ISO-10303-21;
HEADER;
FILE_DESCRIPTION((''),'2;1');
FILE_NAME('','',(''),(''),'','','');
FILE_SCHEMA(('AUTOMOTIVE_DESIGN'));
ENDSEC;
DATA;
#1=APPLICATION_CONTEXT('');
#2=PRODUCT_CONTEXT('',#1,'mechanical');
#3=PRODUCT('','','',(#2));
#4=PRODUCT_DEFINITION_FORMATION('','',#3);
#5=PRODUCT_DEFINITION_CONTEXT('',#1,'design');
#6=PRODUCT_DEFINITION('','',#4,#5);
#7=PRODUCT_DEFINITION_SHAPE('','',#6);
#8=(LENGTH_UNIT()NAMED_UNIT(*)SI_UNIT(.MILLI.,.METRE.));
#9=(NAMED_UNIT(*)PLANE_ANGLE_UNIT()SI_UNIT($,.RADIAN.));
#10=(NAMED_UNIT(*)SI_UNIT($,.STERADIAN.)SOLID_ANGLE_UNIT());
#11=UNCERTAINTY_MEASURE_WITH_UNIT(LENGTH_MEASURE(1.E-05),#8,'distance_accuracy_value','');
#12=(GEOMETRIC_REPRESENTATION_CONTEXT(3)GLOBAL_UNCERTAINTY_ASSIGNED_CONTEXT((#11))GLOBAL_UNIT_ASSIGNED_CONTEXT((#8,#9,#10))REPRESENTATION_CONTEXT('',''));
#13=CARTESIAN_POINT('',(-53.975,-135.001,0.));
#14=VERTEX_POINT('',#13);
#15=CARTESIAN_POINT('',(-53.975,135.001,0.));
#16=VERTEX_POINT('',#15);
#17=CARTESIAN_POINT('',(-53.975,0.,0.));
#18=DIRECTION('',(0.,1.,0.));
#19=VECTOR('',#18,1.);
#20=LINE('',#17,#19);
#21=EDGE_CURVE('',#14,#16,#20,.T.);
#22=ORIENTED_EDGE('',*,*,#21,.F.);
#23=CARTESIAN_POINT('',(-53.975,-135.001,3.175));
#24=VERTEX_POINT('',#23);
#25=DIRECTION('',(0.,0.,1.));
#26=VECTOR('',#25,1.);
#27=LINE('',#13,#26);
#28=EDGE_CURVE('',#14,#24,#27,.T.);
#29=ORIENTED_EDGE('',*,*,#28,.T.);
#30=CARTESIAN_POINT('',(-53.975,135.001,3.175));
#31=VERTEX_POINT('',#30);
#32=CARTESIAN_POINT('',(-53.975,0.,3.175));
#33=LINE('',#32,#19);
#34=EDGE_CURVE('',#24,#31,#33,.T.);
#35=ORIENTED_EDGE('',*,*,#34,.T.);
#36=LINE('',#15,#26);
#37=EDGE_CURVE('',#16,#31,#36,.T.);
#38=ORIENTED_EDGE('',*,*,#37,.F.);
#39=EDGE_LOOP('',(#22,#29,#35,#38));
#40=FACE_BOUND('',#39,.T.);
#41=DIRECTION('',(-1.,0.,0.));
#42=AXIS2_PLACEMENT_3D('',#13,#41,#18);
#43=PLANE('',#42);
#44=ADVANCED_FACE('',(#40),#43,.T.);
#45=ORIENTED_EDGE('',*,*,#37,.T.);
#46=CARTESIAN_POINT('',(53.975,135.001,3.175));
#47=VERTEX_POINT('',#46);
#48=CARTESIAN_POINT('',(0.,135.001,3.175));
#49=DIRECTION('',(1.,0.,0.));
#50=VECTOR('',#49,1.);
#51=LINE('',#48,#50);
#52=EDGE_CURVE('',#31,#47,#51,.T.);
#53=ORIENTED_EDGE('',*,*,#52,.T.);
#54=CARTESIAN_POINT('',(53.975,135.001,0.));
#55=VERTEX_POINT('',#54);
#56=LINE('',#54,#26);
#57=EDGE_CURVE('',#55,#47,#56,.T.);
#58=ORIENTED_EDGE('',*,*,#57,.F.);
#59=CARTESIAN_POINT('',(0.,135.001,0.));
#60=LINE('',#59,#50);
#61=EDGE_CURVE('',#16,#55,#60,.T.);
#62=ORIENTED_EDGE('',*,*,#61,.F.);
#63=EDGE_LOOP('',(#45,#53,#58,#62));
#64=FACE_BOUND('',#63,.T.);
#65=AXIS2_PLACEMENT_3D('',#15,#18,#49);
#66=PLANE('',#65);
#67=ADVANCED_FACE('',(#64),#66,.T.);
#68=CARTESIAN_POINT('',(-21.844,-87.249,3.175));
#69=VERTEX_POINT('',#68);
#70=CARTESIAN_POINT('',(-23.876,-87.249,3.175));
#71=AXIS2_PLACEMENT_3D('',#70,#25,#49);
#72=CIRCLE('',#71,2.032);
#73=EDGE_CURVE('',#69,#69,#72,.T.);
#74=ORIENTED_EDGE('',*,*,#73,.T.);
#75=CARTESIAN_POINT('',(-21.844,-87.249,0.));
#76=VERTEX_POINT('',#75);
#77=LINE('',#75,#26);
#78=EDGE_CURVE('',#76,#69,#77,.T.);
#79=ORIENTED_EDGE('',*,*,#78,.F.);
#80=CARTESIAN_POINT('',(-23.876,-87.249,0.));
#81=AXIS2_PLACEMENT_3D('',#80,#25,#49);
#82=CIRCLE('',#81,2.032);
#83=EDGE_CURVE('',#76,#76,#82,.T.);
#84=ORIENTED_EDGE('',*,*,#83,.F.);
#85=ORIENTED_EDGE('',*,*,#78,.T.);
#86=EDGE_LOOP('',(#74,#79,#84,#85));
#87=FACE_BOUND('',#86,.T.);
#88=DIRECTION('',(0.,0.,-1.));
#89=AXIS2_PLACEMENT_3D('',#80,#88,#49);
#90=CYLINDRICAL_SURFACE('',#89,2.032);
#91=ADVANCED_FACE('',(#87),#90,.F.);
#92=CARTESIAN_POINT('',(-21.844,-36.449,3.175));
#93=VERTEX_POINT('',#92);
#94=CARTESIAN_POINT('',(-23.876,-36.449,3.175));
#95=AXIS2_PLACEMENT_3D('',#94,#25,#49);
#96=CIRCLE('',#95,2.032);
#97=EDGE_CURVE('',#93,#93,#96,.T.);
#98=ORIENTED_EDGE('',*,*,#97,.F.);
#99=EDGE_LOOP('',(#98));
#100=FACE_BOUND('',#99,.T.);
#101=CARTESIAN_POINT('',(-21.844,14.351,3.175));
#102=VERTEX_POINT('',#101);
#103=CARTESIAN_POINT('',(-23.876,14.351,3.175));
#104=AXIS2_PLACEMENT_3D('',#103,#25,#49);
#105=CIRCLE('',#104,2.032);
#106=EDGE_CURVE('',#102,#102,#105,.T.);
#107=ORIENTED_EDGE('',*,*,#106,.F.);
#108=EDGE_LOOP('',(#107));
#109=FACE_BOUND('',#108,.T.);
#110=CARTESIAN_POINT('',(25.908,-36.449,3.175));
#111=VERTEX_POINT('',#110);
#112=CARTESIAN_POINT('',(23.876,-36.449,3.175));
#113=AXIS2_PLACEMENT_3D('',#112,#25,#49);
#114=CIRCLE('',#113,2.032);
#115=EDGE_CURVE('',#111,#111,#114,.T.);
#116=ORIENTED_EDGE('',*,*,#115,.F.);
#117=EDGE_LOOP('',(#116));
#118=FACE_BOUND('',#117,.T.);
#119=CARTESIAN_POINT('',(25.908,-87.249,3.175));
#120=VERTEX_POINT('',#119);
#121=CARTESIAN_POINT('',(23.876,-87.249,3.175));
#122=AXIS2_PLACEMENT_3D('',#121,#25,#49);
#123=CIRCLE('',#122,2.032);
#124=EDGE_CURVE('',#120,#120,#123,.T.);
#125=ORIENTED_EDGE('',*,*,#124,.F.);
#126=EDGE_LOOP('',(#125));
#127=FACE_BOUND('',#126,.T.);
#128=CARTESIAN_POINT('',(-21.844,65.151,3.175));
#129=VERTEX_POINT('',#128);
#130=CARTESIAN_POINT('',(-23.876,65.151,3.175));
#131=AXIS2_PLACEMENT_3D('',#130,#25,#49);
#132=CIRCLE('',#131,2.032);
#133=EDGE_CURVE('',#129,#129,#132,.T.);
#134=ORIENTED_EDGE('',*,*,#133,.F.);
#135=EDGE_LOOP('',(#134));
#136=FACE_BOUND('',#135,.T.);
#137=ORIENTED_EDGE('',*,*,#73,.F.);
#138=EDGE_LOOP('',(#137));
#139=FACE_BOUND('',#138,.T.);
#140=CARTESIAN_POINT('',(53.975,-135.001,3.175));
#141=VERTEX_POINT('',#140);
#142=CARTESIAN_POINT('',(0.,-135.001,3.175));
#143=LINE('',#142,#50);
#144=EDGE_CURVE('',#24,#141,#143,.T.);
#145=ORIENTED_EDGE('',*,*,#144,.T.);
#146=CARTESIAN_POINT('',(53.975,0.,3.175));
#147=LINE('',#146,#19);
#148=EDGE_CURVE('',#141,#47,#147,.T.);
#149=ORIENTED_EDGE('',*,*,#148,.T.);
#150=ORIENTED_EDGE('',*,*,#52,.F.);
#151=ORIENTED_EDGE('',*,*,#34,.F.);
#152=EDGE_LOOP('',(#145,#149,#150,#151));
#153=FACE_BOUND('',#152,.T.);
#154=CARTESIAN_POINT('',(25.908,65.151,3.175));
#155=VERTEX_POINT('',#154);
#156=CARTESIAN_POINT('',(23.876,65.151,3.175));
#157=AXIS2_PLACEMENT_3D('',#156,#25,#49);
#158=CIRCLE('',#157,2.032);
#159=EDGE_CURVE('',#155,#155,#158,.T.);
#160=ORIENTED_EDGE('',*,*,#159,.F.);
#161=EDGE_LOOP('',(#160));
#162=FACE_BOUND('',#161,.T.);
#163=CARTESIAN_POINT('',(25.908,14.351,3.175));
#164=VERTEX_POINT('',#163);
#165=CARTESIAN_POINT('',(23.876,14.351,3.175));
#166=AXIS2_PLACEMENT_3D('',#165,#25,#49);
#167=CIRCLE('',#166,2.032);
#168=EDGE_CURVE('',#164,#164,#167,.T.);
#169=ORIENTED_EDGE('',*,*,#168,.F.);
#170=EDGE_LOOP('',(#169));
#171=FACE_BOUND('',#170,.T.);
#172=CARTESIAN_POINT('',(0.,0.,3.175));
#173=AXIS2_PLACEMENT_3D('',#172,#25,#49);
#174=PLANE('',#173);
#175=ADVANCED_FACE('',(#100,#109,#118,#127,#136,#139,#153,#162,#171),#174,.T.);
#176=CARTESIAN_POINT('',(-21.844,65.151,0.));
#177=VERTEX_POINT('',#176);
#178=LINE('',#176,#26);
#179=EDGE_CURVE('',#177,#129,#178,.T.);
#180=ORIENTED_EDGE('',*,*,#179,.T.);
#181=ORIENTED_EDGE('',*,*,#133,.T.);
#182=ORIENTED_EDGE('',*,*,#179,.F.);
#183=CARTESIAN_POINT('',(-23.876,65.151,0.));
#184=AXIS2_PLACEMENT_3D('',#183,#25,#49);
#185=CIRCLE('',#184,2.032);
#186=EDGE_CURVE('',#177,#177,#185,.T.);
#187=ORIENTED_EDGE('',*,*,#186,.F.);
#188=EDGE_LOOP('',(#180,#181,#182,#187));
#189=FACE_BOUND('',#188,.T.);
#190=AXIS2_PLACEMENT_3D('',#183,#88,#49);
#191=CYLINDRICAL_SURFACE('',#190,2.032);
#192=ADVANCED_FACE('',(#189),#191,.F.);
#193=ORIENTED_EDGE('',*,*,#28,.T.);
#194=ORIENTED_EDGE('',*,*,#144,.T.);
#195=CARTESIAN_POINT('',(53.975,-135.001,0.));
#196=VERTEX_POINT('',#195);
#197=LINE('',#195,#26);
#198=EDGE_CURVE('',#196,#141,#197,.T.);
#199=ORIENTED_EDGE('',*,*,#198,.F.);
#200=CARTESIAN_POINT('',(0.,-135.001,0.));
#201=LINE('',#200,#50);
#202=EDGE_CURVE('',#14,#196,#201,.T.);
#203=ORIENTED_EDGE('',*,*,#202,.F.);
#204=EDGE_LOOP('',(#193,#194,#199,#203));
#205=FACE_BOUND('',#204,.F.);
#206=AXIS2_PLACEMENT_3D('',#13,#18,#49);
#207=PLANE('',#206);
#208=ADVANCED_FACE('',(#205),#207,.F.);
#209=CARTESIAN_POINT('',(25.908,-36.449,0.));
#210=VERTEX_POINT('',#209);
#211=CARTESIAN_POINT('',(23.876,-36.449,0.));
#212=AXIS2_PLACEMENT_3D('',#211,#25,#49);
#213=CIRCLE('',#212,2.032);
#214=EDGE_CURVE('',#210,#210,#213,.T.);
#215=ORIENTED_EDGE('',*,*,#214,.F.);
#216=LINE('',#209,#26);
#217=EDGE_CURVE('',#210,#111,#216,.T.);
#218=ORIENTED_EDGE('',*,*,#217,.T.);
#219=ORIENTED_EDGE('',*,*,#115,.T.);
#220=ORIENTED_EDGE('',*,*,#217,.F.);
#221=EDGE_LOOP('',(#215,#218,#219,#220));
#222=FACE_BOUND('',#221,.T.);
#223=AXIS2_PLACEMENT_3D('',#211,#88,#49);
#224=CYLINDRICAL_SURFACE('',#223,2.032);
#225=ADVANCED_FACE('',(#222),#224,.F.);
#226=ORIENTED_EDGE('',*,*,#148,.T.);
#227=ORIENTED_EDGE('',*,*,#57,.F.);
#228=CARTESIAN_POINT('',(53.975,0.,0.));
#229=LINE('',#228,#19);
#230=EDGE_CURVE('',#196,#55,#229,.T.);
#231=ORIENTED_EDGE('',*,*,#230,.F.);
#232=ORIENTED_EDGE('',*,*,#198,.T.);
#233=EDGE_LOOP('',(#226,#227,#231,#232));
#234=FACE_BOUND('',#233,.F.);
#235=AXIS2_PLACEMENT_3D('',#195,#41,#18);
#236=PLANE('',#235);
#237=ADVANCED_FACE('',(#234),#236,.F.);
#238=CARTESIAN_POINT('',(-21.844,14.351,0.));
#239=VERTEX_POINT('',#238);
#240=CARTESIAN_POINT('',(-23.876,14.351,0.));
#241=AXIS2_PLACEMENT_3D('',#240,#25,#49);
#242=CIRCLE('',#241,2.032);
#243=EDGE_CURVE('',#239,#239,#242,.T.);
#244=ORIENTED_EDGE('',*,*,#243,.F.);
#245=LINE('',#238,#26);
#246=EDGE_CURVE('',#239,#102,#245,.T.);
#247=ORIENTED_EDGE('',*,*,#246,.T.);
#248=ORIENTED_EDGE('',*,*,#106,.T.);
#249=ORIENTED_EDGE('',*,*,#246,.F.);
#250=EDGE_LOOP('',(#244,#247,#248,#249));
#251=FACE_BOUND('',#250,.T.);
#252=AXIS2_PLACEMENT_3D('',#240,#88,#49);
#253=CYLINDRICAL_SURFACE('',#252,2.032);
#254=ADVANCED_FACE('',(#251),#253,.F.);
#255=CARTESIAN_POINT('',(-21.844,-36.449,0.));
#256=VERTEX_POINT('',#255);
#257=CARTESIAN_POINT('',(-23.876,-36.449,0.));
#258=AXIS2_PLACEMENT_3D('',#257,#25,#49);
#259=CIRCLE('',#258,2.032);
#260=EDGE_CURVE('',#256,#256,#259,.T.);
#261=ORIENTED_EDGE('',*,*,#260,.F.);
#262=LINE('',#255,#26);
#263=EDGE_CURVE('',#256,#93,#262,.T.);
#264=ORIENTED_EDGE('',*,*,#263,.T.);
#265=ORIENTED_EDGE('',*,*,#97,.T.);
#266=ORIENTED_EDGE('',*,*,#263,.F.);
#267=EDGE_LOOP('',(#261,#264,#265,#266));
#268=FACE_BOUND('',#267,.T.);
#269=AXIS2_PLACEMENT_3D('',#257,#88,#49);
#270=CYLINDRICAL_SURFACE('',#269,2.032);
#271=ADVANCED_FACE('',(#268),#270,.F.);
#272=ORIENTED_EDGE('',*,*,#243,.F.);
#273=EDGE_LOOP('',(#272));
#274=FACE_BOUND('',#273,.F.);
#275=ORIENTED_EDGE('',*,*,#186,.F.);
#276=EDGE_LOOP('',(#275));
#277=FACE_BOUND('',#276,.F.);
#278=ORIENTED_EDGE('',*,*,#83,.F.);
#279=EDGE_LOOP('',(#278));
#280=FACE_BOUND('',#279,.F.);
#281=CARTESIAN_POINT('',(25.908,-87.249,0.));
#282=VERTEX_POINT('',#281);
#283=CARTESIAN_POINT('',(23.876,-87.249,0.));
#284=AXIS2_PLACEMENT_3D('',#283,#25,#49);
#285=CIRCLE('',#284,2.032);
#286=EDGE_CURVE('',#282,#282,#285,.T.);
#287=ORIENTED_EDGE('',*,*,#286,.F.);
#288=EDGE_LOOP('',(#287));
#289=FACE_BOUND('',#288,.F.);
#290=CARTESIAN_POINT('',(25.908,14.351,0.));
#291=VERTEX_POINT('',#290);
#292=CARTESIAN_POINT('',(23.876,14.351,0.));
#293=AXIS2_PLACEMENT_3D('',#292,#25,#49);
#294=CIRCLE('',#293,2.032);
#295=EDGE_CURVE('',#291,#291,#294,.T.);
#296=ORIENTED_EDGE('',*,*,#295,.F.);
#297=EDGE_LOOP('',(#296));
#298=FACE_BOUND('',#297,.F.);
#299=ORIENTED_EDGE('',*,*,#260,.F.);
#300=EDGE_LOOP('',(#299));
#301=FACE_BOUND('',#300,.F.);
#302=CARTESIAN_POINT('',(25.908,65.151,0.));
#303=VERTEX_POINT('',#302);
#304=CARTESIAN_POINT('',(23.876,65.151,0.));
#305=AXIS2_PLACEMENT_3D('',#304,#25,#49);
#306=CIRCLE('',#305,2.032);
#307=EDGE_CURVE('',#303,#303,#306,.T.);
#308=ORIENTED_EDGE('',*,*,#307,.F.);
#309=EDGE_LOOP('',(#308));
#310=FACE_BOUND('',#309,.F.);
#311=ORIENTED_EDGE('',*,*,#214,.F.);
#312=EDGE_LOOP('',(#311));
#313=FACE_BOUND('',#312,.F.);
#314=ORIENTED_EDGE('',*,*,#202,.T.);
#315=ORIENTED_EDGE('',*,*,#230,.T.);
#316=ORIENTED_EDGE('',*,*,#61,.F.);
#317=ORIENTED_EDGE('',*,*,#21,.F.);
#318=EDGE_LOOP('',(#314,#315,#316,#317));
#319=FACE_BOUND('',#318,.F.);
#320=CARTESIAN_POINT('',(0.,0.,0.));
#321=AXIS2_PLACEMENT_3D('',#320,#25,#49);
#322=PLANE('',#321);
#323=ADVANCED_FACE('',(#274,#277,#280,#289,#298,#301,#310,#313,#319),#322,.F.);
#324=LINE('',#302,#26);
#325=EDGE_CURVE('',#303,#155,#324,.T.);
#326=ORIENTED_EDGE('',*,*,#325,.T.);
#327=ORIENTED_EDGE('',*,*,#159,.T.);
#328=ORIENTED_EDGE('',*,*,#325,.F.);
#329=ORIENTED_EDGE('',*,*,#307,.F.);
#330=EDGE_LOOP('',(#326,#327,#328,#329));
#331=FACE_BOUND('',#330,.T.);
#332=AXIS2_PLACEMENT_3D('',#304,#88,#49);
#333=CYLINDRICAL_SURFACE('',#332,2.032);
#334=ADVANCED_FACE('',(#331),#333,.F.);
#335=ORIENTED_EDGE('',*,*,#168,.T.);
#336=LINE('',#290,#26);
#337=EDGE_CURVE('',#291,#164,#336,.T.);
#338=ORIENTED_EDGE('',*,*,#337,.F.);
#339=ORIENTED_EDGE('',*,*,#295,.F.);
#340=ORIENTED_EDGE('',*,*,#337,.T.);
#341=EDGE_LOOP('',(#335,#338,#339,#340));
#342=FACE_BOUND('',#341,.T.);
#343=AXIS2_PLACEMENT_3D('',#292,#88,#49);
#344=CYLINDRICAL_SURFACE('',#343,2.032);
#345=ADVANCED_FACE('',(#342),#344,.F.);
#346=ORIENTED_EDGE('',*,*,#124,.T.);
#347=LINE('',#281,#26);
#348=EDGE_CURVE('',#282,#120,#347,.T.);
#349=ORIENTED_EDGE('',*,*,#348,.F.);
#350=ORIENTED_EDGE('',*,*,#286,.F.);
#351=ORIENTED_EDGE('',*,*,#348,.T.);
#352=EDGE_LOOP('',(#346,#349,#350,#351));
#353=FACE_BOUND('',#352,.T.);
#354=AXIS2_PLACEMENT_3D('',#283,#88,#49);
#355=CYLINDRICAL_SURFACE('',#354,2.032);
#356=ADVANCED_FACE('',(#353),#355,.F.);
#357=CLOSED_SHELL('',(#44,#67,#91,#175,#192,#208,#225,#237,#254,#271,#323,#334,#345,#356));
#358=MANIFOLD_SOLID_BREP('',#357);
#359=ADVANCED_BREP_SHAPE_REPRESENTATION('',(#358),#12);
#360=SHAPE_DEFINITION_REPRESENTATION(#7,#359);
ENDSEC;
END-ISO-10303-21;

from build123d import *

# Parameters (mm, degrees)
F0_W     = 107.95
F0_H     = 270.002
F0_R     = 2.032
F1_DEPTH = 3.175


with BuildPart() as f1:
    # F0 (on Top) → F1 (new body)
    with BuildSketch(Plane.XY):
        Rectangle(F0_W, F0_H)
        with Locations((-23.876, -87.249)):
            Circle(F0_R, mode=Mode.SUBTRACT)
        with Locations((-23.876, -36.449)):
            Circle(F0_R, mode=Mode.SUBTRACT)
        with Locations((23.876, -87.249)):
            Circle(F0_R, mode=Mode.SUBTRACT)
        with Locations((23.876, -36.449)):
            Circle(F0_R, mode=Mode.SUBTRACT)
        with Locations((-23.876, 14.351)):
            Circle(F0_R, mode=Mode.SUBTRACT)
        with Locations((-23.876, 65.151)):
            Circle(F0_R, mode=Mode.SUBTRACT)
        with Locations((23.876, 14.351)):
            Circle(F0_R, mode=Mode.SUBTRACT)
        with Locations((23.876, 65.151)):
            Circle(F0_R, mode=Mode.SUBTRACT)
    extrude(amount=F1_DEPTH)


solid = f1.part
